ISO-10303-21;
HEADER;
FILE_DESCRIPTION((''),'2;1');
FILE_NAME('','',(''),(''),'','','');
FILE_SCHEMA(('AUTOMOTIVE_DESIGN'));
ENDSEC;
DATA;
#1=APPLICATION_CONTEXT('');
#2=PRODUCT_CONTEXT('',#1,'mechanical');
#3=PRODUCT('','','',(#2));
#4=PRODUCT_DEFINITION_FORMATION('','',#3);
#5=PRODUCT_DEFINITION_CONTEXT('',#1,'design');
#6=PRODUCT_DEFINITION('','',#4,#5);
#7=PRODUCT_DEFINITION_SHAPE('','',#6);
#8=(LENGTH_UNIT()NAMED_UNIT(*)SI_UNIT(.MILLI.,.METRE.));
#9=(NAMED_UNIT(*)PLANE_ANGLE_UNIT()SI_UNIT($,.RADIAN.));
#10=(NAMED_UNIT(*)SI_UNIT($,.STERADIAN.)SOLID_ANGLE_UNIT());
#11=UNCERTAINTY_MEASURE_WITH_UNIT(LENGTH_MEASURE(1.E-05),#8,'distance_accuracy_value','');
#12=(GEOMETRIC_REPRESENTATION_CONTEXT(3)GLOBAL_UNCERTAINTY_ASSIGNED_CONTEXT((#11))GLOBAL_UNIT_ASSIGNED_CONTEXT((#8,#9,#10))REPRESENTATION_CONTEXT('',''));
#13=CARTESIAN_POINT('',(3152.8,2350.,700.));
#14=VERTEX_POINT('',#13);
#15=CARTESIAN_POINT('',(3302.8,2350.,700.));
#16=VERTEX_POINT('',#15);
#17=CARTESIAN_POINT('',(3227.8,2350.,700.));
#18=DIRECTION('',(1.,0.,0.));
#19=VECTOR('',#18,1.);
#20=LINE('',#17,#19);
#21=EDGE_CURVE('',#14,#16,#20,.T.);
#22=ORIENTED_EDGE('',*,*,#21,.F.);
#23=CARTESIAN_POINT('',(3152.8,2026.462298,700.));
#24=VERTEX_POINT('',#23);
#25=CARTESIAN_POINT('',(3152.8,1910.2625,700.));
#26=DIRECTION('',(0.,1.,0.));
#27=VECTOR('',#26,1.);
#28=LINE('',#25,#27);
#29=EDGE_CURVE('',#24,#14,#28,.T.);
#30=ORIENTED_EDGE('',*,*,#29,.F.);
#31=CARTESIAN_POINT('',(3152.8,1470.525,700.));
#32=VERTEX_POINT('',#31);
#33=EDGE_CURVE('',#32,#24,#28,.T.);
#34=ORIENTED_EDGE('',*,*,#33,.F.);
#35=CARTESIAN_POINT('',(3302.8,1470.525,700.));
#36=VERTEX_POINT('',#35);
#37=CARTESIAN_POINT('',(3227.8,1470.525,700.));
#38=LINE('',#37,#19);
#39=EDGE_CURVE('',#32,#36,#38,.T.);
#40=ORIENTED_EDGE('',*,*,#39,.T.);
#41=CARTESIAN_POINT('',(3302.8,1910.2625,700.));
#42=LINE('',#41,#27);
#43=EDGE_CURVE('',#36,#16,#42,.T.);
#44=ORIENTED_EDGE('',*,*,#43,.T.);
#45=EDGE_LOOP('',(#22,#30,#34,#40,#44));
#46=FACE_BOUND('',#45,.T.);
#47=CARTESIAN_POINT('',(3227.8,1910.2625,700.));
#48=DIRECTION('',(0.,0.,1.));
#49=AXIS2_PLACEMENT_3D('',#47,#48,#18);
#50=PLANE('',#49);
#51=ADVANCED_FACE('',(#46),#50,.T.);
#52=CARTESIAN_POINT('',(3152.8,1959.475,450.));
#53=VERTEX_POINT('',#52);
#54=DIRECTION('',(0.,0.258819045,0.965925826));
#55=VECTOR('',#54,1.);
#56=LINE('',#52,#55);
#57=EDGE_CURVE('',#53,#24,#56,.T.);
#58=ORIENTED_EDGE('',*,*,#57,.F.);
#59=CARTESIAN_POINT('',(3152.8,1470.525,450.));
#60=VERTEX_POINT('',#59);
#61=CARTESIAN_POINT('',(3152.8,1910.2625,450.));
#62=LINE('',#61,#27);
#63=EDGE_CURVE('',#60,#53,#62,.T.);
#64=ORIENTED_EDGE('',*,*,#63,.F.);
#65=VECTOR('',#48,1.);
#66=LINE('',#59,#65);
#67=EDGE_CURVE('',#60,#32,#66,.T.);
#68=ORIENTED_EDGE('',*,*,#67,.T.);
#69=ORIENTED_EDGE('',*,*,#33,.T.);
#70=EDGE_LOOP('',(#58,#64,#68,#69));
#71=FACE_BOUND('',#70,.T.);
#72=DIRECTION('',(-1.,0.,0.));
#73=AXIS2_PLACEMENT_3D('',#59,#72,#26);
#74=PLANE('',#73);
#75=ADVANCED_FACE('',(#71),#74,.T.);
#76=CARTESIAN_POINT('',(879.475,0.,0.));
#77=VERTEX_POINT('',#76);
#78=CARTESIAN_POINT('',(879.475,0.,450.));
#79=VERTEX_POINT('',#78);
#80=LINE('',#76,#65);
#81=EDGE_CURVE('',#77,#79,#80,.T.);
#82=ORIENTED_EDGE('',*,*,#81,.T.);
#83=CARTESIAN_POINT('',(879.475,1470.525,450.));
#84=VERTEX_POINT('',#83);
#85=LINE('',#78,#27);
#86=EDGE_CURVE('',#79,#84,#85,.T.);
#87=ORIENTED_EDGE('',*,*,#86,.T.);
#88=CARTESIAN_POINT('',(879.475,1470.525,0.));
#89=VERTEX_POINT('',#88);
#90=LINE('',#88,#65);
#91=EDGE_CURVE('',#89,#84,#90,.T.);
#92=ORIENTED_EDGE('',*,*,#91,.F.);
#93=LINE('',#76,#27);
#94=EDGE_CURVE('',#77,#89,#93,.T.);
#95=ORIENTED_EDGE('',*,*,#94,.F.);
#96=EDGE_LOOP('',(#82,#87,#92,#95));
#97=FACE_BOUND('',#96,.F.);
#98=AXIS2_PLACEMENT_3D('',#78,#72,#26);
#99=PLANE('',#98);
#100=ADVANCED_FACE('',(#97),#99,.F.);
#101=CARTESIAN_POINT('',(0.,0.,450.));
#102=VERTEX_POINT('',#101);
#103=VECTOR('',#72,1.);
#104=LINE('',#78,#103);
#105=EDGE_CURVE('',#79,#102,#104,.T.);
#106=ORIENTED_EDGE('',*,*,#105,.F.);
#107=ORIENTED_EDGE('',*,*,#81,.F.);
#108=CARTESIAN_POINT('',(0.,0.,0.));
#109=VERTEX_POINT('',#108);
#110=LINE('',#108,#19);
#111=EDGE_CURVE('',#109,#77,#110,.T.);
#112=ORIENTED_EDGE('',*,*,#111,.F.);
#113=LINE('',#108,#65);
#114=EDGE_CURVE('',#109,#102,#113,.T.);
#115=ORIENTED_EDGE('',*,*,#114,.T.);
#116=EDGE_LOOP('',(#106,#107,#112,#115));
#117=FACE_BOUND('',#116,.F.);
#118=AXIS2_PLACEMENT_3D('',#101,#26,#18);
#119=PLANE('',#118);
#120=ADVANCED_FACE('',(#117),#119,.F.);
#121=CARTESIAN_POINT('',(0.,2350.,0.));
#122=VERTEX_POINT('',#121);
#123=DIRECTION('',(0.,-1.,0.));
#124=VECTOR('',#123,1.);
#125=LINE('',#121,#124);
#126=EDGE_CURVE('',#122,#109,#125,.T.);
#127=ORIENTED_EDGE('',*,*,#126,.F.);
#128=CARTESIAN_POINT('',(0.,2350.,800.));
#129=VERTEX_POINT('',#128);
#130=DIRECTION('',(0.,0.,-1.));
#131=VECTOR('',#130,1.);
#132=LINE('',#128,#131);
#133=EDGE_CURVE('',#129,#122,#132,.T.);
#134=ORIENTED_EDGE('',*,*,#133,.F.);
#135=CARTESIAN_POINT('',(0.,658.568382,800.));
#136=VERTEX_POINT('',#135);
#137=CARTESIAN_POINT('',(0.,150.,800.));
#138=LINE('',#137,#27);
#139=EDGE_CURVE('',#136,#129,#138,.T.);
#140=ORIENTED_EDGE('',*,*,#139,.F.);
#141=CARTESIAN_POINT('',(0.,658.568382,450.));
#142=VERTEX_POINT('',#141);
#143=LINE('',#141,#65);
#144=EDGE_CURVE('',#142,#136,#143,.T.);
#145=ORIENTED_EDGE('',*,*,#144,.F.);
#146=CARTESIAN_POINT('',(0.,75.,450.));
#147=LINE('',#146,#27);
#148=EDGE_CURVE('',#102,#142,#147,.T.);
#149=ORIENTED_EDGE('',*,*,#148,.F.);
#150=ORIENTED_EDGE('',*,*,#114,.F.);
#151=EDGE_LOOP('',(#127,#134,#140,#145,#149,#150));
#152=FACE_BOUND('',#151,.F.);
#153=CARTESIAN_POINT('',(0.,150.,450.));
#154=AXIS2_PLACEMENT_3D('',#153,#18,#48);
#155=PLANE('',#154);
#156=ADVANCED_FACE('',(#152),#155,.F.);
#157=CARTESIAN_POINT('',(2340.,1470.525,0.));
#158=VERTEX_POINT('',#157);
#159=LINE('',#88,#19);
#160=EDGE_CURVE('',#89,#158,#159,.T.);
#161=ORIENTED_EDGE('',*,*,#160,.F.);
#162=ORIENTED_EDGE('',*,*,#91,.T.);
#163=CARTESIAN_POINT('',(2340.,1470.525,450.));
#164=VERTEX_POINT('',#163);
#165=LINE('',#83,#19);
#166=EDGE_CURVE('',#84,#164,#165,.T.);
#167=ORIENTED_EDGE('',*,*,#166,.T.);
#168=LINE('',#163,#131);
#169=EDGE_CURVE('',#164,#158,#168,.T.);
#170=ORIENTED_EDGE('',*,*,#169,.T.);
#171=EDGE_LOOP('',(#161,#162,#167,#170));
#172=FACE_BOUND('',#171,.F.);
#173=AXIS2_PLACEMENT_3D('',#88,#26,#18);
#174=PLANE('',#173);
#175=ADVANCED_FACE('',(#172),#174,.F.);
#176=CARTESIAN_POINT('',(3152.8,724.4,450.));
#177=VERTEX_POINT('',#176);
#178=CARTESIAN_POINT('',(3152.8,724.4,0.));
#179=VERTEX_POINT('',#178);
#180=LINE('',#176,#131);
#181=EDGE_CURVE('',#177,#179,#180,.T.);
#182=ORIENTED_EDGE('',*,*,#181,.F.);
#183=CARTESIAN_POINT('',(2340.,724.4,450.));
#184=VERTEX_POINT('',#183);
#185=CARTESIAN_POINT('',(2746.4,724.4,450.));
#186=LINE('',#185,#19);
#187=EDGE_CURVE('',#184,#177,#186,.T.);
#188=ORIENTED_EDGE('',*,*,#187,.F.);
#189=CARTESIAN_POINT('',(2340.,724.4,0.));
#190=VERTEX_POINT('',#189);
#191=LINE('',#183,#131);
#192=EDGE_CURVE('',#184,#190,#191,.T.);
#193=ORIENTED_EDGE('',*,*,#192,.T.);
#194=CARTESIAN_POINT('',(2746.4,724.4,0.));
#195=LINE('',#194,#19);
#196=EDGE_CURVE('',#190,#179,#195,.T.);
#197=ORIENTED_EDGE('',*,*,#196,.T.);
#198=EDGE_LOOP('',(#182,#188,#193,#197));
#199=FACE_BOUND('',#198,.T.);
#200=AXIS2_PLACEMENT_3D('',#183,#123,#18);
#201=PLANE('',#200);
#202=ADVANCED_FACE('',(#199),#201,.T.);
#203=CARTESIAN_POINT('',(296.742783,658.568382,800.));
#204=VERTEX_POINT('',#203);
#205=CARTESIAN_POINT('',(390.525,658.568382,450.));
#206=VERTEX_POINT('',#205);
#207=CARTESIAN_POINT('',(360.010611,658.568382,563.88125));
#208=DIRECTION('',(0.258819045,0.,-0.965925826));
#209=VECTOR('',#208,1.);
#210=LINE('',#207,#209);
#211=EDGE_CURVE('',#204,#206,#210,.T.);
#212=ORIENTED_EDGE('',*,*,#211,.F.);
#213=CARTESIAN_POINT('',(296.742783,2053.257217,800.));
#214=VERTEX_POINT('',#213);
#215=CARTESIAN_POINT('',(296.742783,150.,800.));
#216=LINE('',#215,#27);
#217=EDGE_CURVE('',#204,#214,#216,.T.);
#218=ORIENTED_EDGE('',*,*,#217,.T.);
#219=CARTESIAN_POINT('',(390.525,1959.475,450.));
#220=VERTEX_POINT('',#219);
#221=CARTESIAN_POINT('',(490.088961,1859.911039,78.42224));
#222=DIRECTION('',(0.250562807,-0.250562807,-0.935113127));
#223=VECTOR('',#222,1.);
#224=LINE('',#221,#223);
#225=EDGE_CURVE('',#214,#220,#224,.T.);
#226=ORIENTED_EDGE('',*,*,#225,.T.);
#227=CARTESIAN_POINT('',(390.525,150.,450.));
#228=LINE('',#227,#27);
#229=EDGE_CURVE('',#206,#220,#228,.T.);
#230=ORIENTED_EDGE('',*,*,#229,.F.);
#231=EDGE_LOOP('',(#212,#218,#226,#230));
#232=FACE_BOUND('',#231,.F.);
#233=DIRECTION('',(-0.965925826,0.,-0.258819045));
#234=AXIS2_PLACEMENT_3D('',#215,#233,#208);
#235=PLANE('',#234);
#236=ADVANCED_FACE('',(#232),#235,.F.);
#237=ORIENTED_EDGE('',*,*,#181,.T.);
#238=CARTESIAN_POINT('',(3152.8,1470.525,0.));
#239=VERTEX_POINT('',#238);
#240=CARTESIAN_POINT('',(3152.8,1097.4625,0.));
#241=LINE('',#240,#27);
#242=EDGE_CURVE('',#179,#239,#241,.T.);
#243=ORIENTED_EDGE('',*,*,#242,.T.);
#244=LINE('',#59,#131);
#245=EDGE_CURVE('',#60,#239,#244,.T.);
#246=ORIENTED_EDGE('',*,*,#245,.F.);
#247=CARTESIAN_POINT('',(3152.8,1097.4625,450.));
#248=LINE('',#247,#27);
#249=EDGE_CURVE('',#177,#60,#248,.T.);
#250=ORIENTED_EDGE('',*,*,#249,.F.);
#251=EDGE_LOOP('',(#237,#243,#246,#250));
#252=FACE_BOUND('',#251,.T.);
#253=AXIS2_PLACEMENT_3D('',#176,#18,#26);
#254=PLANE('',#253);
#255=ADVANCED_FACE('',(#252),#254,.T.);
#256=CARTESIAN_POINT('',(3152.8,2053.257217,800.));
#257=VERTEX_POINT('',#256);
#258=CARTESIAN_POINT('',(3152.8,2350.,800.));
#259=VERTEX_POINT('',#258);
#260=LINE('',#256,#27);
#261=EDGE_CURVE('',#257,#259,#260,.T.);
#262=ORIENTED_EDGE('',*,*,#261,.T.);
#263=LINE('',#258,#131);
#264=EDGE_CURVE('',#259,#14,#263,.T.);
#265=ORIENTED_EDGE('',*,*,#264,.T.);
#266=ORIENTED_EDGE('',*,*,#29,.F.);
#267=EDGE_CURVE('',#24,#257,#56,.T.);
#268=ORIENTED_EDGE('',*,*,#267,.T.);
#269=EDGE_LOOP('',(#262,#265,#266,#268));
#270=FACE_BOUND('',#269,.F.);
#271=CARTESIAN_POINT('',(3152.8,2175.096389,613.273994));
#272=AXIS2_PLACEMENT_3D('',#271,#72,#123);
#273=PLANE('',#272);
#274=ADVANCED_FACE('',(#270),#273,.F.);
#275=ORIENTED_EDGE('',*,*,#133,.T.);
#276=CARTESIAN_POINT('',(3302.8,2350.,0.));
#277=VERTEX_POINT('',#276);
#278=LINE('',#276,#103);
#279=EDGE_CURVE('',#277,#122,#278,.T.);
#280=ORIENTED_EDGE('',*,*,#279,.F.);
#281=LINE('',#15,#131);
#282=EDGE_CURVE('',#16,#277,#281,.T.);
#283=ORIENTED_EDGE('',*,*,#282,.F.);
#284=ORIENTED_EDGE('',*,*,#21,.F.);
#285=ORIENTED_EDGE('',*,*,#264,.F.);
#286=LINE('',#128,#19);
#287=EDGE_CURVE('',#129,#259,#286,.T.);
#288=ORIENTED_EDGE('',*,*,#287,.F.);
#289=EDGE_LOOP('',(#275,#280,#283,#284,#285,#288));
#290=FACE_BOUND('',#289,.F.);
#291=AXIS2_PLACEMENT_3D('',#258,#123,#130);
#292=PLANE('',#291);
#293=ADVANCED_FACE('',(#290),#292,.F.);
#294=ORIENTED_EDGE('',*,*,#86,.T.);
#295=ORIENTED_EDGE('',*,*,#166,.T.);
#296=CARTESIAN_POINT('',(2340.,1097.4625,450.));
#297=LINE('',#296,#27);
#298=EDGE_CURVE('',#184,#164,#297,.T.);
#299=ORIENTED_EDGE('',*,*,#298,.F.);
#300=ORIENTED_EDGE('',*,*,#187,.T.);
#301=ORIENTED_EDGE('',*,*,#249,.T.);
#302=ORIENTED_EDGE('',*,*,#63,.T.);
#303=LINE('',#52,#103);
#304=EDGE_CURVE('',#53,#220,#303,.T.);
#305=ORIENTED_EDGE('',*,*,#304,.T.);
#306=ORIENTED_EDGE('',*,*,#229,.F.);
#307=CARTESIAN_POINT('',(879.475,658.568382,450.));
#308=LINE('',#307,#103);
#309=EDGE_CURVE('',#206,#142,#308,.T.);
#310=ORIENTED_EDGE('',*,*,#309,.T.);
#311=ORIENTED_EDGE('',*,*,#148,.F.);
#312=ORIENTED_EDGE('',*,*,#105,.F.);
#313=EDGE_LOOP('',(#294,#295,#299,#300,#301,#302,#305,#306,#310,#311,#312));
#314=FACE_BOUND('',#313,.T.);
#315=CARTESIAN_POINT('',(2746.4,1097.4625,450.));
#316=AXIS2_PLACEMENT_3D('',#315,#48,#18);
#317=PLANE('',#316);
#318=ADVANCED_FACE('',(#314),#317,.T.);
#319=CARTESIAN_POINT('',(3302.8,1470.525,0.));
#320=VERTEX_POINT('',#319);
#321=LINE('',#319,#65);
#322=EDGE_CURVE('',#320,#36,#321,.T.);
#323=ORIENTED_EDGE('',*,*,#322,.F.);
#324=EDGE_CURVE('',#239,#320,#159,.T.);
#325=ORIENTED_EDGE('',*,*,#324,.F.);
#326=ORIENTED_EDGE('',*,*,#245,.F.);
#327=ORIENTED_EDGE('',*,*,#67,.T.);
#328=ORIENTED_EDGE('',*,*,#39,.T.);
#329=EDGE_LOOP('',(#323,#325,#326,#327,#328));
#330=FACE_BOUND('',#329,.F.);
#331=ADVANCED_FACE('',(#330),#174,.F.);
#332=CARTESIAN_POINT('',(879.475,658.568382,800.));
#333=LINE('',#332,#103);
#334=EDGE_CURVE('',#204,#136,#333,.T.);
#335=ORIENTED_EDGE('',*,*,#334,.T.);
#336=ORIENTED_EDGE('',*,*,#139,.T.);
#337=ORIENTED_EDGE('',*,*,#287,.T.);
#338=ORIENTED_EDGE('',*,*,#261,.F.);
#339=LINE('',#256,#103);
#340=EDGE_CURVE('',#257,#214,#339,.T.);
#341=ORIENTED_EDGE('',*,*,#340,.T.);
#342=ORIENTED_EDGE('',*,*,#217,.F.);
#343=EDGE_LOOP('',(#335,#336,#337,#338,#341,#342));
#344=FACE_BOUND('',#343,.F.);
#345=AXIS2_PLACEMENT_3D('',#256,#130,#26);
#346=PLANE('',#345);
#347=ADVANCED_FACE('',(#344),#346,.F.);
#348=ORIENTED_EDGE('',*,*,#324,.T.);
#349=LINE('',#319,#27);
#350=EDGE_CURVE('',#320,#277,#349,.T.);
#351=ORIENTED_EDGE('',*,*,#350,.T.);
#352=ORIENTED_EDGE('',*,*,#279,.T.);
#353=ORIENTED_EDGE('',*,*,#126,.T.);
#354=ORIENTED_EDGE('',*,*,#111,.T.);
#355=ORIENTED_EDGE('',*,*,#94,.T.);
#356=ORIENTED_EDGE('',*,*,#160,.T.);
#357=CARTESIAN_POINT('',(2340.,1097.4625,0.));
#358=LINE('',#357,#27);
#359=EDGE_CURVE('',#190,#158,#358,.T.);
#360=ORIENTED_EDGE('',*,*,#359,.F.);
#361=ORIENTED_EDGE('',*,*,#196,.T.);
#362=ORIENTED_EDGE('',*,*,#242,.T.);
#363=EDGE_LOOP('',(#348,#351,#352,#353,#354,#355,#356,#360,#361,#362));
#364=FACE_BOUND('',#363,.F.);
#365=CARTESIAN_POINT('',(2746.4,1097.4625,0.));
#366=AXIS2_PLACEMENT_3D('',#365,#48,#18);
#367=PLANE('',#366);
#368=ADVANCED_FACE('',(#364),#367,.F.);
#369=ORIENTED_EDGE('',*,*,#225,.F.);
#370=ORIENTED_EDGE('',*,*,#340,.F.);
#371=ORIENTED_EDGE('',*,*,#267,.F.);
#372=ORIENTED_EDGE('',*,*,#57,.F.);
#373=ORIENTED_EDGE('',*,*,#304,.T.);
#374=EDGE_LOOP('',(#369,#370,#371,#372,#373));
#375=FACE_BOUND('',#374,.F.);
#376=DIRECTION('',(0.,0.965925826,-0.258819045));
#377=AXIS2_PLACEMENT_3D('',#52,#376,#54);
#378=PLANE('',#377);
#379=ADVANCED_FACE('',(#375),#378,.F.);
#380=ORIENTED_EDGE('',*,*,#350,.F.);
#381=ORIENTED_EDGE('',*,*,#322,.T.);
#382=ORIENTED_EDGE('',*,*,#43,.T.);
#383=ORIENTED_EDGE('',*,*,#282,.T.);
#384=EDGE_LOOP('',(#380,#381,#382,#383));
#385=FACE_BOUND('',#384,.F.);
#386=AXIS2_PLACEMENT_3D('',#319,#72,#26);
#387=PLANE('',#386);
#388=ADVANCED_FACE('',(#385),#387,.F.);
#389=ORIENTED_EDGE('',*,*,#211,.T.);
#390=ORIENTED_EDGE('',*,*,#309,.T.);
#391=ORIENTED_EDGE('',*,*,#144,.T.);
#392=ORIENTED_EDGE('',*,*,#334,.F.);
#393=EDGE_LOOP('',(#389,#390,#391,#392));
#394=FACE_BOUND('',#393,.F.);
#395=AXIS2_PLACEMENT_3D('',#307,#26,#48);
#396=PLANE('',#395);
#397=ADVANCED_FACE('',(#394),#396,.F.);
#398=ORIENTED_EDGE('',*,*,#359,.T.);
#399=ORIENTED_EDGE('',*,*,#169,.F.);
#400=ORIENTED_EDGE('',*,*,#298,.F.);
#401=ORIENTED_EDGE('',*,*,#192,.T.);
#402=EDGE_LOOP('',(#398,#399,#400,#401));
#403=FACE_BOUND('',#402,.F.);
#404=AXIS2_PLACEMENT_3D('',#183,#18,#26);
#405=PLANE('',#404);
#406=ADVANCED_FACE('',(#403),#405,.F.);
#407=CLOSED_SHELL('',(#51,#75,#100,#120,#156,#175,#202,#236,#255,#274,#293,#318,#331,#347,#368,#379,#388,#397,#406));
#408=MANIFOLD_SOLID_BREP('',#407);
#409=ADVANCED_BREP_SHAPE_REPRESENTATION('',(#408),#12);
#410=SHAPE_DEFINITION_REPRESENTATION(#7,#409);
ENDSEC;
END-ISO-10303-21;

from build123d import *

# Parameters (mm, degrees)
F1_DEPTH  = 450
F2_W      = 879.475
F2_H      = 150
F2_W_2    = 150
F2_H_2    = 879.475
F3_DEPTH  = 250
F5_DEPTH  = 2200
F8_W      = 658.5683822632
F8_H      = 350
F9_DEPTH  = 879.476
F10_W     = 812.8
F10_H     = 746.125
F11_DEPTH = 450


with BuildPart() as f1:
    # F0 (on Top) → F1 (new body)
    with BuildSketch(Plane.XY):
        Polygon((0, 2350), (0, 0), (879.475, 0), (879.475, 1470.525), (3302.8, 1470.525), (3302.8, 2350), align=None)
    extrude(amount=F1_DEPTH)

    # F2 (on face) → F3 (join)
    with BuildSketch(Plane.XY.offset(450)):
        with Locations((439.7375, 75)):
            Rectangle(F2_W, F2_H)
        with Locations((3227.8, 1910.2625)):
            Rectangle(F2_W_2, F2_H_2)
    extrude(amount=F3_DEPTH)

    # F4 (on face) → F5 (join, through all)
    with BuildSketch(Plane(origin=(0, 150, 0), x_dir=(-1, 0, 0), z_dir=(0, 1, 0))):
        Polygon((-390.525, 450), (0, 450), (0, 800), (-296.7427826491, 800), align=None)
    extrude(amount=F5_DEPTH)

    # F6 (on face) → F7 (join, up to the next surface of F1)
    with BuildSketch(Plane(origin=(3152.8, 0, 0), x_dir=(0, -1, 0), z_dir=(-1, 0, 0))):
        Polygon((-2350, 800), (-2350, 450), (-1959.475, 450), (-2053.2572173509, 800), align=None)
    extrude(until=Until.NEXT)

    # F8 (on face) → F9 (cut, through all)
    with BuildSketch(Plane.YZ.offset(879.475)):
        with Locations((329.2841911316, 625)):
            Rectangle(F8_W, F8_H)
    extrude(amount=-F9_DEPTH, mode=Mode.SUBTRACT)

    # F10 (on face) → F11 (join, through all)
    with BuildSketch(Plane.XY.offset(450)):
        with Locations((2746.4, 1097.4625)):
            Rectangle(F10_W, F10_H)
    extrude(amount=-F11_DEPTH)


solid = f1.part
